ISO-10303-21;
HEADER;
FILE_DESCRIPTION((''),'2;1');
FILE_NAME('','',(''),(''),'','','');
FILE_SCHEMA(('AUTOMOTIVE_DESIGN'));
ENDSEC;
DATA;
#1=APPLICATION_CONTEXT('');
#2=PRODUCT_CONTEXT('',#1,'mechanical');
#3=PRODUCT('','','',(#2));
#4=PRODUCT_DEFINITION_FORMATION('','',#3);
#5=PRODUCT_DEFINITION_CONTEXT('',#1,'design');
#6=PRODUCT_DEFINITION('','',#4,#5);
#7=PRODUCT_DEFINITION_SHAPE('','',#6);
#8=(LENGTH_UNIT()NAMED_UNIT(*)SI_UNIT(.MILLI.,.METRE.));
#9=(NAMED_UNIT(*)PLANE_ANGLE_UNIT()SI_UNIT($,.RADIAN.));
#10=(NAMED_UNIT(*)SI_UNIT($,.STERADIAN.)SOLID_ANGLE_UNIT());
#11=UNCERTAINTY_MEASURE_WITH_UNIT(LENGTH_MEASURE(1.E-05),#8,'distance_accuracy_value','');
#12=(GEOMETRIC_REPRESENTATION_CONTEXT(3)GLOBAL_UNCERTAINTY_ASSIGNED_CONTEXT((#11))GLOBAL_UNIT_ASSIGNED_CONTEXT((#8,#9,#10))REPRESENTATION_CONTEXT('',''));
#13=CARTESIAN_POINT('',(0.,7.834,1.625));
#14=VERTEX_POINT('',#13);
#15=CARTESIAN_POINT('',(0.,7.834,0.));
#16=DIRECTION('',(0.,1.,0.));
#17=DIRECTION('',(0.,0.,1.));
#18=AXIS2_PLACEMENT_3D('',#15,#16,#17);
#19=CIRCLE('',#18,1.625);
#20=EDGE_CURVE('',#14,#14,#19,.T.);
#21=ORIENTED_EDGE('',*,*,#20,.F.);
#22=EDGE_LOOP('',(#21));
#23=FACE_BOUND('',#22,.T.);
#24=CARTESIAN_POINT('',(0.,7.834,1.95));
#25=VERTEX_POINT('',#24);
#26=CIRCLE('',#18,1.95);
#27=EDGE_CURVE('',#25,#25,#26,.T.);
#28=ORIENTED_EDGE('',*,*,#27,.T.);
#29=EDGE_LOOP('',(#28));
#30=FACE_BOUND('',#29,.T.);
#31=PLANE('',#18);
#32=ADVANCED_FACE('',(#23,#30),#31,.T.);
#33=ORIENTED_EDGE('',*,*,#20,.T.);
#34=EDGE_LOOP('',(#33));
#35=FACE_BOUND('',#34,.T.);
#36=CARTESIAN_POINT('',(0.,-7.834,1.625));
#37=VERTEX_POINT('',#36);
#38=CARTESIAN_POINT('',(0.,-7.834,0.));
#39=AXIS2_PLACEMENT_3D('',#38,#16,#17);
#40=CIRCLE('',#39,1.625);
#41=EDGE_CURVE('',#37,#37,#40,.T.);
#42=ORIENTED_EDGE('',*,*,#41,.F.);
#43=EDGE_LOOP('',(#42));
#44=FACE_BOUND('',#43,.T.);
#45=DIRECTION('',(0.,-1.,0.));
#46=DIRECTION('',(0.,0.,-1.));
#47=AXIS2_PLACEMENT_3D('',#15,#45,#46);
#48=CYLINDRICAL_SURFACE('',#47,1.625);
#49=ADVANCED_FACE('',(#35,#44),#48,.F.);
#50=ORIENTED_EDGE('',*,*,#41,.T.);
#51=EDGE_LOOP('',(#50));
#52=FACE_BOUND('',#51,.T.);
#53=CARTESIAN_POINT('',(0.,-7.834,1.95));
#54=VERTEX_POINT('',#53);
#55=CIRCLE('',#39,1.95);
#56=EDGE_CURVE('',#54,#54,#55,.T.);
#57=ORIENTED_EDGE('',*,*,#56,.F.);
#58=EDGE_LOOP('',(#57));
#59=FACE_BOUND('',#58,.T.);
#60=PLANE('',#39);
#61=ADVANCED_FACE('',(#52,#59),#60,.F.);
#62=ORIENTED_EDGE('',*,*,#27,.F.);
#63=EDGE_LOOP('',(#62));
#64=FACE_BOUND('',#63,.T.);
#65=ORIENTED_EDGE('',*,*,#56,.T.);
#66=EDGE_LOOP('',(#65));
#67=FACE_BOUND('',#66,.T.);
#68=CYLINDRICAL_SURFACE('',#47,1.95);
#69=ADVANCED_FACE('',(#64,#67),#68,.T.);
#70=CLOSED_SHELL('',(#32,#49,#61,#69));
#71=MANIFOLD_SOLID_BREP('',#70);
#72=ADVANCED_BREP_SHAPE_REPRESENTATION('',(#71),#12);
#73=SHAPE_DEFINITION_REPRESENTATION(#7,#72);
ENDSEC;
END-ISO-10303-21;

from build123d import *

# Parameters (mm, degrees)
SKETCH1_R           = 1.95
SKETCH1_R_2         = 1.625
BOSS_EXTRUDE1_DEPTH = 7.834


with BuildPart() as part:
    # Sketch1 → Boss-Extrude1 (new body, symmetric)
    with BuildSketch(Plane(origin=(0, 0, 0), x_dir=(1, 0, 0), z_dir=(0, 1, 0))):
        Circle(SKETCH1_R)
        Circle(SKETCH1_R_2, mode=Mode.SUBTRACT)
    extrude(amount=BOSS_EXTRUDE1_DEPTH, both=True)


solid = part.part
